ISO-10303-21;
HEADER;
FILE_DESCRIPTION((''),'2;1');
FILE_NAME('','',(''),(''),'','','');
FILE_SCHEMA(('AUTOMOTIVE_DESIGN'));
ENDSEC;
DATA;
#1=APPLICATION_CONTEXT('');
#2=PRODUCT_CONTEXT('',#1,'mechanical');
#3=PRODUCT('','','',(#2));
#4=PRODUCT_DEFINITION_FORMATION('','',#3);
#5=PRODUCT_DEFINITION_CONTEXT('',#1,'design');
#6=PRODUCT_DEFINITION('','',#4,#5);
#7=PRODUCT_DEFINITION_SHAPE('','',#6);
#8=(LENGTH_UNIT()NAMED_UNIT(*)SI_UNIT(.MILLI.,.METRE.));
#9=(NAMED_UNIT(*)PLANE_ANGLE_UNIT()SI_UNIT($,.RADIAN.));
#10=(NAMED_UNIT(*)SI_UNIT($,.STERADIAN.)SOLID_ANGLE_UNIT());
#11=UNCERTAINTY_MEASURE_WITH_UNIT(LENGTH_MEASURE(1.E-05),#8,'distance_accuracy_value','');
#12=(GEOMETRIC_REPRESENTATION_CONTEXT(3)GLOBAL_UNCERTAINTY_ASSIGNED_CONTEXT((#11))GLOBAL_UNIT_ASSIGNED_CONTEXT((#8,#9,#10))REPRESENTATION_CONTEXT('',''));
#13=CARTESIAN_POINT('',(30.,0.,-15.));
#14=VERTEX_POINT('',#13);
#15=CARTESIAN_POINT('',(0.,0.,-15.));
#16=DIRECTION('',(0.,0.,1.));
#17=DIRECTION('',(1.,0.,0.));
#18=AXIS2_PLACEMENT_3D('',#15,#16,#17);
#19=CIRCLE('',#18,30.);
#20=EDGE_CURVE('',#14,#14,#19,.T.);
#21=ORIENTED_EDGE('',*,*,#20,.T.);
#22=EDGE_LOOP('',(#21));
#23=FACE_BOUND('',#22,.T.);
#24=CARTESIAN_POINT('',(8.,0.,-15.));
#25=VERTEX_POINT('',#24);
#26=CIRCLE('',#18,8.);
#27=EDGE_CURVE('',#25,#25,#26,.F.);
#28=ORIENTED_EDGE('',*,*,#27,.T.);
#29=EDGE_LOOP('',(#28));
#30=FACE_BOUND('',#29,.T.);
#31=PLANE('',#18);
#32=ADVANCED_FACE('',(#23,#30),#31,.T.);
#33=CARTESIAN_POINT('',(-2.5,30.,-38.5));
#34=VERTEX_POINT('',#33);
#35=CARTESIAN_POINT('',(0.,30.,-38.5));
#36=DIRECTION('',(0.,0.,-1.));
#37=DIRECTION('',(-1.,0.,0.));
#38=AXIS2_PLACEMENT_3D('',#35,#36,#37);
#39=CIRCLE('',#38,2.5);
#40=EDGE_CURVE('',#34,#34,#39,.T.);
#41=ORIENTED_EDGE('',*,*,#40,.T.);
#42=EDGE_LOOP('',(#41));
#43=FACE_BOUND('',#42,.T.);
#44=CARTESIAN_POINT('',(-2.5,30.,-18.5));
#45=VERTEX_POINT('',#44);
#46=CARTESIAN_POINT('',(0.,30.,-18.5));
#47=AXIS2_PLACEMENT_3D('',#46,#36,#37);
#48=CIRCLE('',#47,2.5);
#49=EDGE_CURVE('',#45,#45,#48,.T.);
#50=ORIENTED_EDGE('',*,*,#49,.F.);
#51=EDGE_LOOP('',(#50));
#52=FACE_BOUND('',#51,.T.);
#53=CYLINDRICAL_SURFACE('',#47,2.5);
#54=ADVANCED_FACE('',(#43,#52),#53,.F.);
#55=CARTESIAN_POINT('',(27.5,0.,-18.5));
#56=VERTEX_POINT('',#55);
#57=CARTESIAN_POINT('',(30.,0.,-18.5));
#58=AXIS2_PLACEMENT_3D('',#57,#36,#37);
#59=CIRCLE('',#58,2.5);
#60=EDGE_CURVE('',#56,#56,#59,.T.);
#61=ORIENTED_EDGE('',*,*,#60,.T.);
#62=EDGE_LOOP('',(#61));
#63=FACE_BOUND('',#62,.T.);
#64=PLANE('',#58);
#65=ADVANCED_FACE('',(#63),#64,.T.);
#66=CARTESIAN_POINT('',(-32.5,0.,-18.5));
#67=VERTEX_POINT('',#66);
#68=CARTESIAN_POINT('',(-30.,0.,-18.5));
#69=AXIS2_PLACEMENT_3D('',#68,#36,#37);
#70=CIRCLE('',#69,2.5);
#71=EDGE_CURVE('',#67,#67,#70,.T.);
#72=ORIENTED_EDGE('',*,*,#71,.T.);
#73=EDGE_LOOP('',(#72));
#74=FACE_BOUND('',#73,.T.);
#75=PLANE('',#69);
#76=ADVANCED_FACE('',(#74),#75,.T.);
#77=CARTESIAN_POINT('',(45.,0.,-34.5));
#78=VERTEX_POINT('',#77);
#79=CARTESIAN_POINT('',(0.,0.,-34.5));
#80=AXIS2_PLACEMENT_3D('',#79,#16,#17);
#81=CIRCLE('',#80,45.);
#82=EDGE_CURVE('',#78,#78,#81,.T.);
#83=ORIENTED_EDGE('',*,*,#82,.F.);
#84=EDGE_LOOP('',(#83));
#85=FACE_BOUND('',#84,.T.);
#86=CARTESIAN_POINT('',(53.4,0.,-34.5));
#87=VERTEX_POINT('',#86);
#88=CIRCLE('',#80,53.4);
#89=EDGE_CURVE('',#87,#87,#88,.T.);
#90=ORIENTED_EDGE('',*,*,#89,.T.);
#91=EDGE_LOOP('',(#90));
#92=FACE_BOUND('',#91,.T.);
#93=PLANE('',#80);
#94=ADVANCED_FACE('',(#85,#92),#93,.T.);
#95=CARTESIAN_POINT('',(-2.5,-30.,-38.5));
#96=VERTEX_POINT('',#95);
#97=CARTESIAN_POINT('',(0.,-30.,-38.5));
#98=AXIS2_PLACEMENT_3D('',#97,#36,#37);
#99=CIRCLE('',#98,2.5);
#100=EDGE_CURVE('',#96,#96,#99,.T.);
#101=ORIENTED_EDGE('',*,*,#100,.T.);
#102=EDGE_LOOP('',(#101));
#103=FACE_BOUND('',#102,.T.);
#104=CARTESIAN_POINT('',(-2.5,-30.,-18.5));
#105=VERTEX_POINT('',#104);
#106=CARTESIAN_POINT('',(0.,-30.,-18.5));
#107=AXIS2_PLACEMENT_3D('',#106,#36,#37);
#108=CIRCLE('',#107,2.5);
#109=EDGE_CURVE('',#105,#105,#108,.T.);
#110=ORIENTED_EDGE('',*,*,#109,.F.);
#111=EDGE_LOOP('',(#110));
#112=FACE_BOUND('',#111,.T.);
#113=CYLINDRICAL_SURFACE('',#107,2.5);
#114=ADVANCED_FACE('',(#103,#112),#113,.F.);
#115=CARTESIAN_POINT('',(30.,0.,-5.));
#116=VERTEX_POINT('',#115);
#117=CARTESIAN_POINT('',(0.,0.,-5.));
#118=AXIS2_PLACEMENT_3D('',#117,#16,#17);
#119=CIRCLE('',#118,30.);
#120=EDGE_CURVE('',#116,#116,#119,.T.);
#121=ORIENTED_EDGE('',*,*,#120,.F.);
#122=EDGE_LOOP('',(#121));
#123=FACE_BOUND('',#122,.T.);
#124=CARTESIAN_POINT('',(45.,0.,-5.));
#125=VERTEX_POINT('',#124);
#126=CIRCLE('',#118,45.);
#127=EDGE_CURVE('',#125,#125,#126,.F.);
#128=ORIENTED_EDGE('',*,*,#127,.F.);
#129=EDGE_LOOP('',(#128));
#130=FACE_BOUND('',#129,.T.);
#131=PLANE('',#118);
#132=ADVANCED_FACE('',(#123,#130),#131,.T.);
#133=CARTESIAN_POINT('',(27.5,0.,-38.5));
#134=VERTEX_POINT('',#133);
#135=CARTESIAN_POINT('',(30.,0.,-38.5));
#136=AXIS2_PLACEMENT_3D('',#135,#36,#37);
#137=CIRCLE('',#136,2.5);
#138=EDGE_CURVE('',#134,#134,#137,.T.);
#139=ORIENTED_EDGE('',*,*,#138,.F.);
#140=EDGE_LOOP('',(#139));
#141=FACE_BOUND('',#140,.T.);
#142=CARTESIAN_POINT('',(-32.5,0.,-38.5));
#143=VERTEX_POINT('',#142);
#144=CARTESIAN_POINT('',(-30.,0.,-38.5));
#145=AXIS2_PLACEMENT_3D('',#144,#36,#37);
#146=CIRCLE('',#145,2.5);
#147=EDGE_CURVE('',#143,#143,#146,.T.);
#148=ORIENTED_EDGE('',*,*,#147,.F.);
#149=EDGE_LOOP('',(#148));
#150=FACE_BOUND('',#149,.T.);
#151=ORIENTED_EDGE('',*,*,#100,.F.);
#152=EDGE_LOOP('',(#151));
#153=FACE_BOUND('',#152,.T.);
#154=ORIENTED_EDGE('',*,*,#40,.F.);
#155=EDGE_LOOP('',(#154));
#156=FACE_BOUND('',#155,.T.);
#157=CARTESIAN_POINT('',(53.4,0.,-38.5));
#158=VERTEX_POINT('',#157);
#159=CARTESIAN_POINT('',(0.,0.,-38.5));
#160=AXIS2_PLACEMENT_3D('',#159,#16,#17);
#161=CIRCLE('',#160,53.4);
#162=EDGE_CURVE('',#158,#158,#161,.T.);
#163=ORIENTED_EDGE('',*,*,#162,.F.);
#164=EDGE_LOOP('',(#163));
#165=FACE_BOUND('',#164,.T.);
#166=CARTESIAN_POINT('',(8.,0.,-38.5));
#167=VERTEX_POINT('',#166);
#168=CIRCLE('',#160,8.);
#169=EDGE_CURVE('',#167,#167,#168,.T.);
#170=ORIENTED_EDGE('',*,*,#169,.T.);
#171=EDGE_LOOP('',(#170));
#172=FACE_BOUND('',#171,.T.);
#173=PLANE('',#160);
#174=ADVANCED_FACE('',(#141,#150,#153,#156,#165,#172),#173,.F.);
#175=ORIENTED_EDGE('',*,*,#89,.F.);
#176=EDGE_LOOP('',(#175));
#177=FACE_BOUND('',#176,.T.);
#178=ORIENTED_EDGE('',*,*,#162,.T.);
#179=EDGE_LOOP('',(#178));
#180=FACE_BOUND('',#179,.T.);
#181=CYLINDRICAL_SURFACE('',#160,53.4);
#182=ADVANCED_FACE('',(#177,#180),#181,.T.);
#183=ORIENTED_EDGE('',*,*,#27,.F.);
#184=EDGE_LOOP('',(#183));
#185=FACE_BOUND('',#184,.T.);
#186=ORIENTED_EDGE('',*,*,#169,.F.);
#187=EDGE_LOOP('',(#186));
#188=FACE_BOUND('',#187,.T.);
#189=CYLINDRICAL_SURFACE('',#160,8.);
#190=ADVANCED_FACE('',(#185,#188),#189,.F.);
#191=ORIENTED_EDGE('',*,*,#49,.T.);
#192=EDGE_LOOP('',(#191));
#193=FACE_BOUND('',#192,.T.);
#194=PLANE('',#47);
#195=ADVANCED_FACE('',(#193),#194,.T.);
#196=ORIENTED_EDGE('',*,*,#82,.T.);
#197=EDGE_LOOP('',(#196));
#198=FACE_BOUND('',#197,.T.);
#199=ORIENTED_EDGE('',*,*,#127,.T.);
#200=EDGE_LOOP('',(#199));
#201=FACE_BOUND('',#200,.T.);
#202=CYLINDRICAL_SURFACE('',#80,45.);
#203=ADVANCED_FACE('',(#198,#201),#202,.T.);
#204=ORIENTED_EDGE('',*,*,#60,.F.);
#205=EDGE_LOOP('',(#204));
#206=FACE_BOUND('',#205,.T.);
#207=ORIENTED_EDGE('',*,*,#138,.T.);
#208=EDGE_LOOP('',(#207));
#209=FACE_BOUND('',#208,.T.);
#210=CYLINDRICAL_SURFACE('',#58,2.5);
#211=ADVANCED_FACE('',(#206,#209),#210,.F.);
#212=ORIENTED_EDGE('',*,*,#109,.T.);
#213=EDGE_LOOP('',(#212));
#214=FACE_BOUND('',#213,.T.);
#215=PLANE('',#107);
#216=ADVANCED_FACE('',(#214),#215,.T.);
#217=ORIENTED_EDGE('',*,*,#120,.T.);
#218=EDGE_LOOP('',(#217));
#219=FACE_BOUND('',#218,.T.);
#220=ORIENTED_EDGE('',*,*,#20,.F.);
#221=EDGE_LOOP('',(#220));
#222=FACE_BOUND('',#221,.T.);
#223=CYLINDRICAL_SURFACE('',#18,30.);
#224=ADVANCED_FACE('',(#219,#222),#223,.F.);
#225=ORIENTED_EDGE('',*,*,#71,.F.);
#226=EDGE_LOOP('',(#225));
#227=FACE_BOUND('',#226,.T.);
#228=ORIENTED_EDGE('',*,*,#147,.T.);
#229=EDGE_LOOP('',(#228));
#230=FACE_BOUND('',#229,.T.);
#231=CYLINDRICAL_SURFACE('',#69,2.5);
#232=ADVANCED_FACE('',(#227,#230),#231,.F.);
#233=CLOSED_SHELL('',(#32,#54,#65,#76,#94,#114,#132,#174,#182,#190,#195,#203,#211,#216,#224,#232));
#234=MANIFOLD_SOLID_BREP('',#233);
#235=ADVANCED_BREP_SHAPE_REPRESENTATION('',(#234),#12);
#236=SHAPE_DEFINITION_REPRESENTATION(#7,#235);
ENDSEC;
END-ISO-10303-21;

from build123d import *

# Parameters (mm, degrees)
SKETCH3_R               = 53.4
BOSS_EXTRUDE1_DEPTH     = 38.5
SKETCH4_R               = 8
CUT_EXTRUDE1_DEPTH      = 85.766561804
BOSS_EXTRUDE3_START     = 2
SKETCH6_R               = 16
SKETCH6_R_2             = 8
BOSS_EXTRUDE3_DEPTH     = 2
SKETCH8_R               = 2.5
CUT_EXTRUDE4_DEPTH      = 20
SKETCH9_R               = 53.4
SKETCH9_R_2             = 45
CUT_EXTRUDE5_DEPTH      = 34.5
CUT_EXTRUDE6_DEPTH      = 2
CUT_EXTRUDE6_DEPTH_BACK = 5
SKETCH10_R              = 50
SKETCH11_R              = 30
CUT_EXTRUDE7_DEPTH      = 10


with BuildPart() as part:
    # Sketch3 → Boss-Extrude1 (new body)
    with BuildSketch(Plane.XY):
        Circle(SKETCH3_R)
    extrude(amount=-BOSS_EXTRUDE1_DEPTH)

    # Sketch4 → Cut-Extrude1 (cut, through all)
    with BuildSketch(Plane.XY):
        Circle(SKETCH4_R)
    extrude(amount=-CUT_EXTRUDE1_DEPTH, mode=Mode.SUBTRACT)

    # Sketch6 → Boss-Extrude3 (add)
    with BuildSketch(Plane.XY.offset(BOSS_EXTRUDE3_START)):
        Circle(SKETCH6_R)
        Circle(SKETCH6_R_2, mode=Mode.SUBTRACT)
    extrude(amount=-BOSS_EXTRUDE3_DEPTH)

    # Sketch8 → Cut-Extrude4 (cut)
    with BuildSketch(Plane(origin=(0, 0, -38.5), x_dir=(-1, 0, 0), z_dir=(0, 0, -1))):
        with Locations((0, 30)):
            Circle(SKETCH8_R)
        with Locations((30, 0)):
            Circle(SKETCH8_R)
        with Locations((0, -30)):
            Circle(SKETCH8_R)
        with Locations((-30, 0)):
            Circle(SKETCH8_R)
    extrude(amount=-CUT_EXTRUDE4_DEPTH, mode=Mode.SUBTRACT)

    # Sketch9 → Cut-Extrude5 (cut)
    with BuildSketch(Plane.XY):
        Circle(SKETCH9_R)
        Circle(SKETCH9_R_2, mode=Mode.SUBTRACT)
    extrude(amount=-CUT_EXTRUDE5_DEPTH, mode=Mode.SUBTRACT)

    # Sketch10 → Cut-Extrude6 (cut, two sides: drawn at the far end of the back side and taken through both)
    with BuildSketch(Plane.XY.offset(-CUT_EXTRUDE6_DEPTH_BACK)):
        Circle(SKETCH10_R)
    extrude(amount=CUT_EXTRUDE6_DEPTH + CUT_EXTRUDE6_DEPTH_BACK, mode=Mode.SUBTRACT)

    # Sketch11 → Cut-Extrude7 (cut)
    with BuildSketch(Plane.XY.offset(-5)):
        Circle(SKETCH11_R)
    extrude(amount=-CUT_EXTRUDE7_DEPTH, mode=Mode.SUBTRACT)


solid = part.part
